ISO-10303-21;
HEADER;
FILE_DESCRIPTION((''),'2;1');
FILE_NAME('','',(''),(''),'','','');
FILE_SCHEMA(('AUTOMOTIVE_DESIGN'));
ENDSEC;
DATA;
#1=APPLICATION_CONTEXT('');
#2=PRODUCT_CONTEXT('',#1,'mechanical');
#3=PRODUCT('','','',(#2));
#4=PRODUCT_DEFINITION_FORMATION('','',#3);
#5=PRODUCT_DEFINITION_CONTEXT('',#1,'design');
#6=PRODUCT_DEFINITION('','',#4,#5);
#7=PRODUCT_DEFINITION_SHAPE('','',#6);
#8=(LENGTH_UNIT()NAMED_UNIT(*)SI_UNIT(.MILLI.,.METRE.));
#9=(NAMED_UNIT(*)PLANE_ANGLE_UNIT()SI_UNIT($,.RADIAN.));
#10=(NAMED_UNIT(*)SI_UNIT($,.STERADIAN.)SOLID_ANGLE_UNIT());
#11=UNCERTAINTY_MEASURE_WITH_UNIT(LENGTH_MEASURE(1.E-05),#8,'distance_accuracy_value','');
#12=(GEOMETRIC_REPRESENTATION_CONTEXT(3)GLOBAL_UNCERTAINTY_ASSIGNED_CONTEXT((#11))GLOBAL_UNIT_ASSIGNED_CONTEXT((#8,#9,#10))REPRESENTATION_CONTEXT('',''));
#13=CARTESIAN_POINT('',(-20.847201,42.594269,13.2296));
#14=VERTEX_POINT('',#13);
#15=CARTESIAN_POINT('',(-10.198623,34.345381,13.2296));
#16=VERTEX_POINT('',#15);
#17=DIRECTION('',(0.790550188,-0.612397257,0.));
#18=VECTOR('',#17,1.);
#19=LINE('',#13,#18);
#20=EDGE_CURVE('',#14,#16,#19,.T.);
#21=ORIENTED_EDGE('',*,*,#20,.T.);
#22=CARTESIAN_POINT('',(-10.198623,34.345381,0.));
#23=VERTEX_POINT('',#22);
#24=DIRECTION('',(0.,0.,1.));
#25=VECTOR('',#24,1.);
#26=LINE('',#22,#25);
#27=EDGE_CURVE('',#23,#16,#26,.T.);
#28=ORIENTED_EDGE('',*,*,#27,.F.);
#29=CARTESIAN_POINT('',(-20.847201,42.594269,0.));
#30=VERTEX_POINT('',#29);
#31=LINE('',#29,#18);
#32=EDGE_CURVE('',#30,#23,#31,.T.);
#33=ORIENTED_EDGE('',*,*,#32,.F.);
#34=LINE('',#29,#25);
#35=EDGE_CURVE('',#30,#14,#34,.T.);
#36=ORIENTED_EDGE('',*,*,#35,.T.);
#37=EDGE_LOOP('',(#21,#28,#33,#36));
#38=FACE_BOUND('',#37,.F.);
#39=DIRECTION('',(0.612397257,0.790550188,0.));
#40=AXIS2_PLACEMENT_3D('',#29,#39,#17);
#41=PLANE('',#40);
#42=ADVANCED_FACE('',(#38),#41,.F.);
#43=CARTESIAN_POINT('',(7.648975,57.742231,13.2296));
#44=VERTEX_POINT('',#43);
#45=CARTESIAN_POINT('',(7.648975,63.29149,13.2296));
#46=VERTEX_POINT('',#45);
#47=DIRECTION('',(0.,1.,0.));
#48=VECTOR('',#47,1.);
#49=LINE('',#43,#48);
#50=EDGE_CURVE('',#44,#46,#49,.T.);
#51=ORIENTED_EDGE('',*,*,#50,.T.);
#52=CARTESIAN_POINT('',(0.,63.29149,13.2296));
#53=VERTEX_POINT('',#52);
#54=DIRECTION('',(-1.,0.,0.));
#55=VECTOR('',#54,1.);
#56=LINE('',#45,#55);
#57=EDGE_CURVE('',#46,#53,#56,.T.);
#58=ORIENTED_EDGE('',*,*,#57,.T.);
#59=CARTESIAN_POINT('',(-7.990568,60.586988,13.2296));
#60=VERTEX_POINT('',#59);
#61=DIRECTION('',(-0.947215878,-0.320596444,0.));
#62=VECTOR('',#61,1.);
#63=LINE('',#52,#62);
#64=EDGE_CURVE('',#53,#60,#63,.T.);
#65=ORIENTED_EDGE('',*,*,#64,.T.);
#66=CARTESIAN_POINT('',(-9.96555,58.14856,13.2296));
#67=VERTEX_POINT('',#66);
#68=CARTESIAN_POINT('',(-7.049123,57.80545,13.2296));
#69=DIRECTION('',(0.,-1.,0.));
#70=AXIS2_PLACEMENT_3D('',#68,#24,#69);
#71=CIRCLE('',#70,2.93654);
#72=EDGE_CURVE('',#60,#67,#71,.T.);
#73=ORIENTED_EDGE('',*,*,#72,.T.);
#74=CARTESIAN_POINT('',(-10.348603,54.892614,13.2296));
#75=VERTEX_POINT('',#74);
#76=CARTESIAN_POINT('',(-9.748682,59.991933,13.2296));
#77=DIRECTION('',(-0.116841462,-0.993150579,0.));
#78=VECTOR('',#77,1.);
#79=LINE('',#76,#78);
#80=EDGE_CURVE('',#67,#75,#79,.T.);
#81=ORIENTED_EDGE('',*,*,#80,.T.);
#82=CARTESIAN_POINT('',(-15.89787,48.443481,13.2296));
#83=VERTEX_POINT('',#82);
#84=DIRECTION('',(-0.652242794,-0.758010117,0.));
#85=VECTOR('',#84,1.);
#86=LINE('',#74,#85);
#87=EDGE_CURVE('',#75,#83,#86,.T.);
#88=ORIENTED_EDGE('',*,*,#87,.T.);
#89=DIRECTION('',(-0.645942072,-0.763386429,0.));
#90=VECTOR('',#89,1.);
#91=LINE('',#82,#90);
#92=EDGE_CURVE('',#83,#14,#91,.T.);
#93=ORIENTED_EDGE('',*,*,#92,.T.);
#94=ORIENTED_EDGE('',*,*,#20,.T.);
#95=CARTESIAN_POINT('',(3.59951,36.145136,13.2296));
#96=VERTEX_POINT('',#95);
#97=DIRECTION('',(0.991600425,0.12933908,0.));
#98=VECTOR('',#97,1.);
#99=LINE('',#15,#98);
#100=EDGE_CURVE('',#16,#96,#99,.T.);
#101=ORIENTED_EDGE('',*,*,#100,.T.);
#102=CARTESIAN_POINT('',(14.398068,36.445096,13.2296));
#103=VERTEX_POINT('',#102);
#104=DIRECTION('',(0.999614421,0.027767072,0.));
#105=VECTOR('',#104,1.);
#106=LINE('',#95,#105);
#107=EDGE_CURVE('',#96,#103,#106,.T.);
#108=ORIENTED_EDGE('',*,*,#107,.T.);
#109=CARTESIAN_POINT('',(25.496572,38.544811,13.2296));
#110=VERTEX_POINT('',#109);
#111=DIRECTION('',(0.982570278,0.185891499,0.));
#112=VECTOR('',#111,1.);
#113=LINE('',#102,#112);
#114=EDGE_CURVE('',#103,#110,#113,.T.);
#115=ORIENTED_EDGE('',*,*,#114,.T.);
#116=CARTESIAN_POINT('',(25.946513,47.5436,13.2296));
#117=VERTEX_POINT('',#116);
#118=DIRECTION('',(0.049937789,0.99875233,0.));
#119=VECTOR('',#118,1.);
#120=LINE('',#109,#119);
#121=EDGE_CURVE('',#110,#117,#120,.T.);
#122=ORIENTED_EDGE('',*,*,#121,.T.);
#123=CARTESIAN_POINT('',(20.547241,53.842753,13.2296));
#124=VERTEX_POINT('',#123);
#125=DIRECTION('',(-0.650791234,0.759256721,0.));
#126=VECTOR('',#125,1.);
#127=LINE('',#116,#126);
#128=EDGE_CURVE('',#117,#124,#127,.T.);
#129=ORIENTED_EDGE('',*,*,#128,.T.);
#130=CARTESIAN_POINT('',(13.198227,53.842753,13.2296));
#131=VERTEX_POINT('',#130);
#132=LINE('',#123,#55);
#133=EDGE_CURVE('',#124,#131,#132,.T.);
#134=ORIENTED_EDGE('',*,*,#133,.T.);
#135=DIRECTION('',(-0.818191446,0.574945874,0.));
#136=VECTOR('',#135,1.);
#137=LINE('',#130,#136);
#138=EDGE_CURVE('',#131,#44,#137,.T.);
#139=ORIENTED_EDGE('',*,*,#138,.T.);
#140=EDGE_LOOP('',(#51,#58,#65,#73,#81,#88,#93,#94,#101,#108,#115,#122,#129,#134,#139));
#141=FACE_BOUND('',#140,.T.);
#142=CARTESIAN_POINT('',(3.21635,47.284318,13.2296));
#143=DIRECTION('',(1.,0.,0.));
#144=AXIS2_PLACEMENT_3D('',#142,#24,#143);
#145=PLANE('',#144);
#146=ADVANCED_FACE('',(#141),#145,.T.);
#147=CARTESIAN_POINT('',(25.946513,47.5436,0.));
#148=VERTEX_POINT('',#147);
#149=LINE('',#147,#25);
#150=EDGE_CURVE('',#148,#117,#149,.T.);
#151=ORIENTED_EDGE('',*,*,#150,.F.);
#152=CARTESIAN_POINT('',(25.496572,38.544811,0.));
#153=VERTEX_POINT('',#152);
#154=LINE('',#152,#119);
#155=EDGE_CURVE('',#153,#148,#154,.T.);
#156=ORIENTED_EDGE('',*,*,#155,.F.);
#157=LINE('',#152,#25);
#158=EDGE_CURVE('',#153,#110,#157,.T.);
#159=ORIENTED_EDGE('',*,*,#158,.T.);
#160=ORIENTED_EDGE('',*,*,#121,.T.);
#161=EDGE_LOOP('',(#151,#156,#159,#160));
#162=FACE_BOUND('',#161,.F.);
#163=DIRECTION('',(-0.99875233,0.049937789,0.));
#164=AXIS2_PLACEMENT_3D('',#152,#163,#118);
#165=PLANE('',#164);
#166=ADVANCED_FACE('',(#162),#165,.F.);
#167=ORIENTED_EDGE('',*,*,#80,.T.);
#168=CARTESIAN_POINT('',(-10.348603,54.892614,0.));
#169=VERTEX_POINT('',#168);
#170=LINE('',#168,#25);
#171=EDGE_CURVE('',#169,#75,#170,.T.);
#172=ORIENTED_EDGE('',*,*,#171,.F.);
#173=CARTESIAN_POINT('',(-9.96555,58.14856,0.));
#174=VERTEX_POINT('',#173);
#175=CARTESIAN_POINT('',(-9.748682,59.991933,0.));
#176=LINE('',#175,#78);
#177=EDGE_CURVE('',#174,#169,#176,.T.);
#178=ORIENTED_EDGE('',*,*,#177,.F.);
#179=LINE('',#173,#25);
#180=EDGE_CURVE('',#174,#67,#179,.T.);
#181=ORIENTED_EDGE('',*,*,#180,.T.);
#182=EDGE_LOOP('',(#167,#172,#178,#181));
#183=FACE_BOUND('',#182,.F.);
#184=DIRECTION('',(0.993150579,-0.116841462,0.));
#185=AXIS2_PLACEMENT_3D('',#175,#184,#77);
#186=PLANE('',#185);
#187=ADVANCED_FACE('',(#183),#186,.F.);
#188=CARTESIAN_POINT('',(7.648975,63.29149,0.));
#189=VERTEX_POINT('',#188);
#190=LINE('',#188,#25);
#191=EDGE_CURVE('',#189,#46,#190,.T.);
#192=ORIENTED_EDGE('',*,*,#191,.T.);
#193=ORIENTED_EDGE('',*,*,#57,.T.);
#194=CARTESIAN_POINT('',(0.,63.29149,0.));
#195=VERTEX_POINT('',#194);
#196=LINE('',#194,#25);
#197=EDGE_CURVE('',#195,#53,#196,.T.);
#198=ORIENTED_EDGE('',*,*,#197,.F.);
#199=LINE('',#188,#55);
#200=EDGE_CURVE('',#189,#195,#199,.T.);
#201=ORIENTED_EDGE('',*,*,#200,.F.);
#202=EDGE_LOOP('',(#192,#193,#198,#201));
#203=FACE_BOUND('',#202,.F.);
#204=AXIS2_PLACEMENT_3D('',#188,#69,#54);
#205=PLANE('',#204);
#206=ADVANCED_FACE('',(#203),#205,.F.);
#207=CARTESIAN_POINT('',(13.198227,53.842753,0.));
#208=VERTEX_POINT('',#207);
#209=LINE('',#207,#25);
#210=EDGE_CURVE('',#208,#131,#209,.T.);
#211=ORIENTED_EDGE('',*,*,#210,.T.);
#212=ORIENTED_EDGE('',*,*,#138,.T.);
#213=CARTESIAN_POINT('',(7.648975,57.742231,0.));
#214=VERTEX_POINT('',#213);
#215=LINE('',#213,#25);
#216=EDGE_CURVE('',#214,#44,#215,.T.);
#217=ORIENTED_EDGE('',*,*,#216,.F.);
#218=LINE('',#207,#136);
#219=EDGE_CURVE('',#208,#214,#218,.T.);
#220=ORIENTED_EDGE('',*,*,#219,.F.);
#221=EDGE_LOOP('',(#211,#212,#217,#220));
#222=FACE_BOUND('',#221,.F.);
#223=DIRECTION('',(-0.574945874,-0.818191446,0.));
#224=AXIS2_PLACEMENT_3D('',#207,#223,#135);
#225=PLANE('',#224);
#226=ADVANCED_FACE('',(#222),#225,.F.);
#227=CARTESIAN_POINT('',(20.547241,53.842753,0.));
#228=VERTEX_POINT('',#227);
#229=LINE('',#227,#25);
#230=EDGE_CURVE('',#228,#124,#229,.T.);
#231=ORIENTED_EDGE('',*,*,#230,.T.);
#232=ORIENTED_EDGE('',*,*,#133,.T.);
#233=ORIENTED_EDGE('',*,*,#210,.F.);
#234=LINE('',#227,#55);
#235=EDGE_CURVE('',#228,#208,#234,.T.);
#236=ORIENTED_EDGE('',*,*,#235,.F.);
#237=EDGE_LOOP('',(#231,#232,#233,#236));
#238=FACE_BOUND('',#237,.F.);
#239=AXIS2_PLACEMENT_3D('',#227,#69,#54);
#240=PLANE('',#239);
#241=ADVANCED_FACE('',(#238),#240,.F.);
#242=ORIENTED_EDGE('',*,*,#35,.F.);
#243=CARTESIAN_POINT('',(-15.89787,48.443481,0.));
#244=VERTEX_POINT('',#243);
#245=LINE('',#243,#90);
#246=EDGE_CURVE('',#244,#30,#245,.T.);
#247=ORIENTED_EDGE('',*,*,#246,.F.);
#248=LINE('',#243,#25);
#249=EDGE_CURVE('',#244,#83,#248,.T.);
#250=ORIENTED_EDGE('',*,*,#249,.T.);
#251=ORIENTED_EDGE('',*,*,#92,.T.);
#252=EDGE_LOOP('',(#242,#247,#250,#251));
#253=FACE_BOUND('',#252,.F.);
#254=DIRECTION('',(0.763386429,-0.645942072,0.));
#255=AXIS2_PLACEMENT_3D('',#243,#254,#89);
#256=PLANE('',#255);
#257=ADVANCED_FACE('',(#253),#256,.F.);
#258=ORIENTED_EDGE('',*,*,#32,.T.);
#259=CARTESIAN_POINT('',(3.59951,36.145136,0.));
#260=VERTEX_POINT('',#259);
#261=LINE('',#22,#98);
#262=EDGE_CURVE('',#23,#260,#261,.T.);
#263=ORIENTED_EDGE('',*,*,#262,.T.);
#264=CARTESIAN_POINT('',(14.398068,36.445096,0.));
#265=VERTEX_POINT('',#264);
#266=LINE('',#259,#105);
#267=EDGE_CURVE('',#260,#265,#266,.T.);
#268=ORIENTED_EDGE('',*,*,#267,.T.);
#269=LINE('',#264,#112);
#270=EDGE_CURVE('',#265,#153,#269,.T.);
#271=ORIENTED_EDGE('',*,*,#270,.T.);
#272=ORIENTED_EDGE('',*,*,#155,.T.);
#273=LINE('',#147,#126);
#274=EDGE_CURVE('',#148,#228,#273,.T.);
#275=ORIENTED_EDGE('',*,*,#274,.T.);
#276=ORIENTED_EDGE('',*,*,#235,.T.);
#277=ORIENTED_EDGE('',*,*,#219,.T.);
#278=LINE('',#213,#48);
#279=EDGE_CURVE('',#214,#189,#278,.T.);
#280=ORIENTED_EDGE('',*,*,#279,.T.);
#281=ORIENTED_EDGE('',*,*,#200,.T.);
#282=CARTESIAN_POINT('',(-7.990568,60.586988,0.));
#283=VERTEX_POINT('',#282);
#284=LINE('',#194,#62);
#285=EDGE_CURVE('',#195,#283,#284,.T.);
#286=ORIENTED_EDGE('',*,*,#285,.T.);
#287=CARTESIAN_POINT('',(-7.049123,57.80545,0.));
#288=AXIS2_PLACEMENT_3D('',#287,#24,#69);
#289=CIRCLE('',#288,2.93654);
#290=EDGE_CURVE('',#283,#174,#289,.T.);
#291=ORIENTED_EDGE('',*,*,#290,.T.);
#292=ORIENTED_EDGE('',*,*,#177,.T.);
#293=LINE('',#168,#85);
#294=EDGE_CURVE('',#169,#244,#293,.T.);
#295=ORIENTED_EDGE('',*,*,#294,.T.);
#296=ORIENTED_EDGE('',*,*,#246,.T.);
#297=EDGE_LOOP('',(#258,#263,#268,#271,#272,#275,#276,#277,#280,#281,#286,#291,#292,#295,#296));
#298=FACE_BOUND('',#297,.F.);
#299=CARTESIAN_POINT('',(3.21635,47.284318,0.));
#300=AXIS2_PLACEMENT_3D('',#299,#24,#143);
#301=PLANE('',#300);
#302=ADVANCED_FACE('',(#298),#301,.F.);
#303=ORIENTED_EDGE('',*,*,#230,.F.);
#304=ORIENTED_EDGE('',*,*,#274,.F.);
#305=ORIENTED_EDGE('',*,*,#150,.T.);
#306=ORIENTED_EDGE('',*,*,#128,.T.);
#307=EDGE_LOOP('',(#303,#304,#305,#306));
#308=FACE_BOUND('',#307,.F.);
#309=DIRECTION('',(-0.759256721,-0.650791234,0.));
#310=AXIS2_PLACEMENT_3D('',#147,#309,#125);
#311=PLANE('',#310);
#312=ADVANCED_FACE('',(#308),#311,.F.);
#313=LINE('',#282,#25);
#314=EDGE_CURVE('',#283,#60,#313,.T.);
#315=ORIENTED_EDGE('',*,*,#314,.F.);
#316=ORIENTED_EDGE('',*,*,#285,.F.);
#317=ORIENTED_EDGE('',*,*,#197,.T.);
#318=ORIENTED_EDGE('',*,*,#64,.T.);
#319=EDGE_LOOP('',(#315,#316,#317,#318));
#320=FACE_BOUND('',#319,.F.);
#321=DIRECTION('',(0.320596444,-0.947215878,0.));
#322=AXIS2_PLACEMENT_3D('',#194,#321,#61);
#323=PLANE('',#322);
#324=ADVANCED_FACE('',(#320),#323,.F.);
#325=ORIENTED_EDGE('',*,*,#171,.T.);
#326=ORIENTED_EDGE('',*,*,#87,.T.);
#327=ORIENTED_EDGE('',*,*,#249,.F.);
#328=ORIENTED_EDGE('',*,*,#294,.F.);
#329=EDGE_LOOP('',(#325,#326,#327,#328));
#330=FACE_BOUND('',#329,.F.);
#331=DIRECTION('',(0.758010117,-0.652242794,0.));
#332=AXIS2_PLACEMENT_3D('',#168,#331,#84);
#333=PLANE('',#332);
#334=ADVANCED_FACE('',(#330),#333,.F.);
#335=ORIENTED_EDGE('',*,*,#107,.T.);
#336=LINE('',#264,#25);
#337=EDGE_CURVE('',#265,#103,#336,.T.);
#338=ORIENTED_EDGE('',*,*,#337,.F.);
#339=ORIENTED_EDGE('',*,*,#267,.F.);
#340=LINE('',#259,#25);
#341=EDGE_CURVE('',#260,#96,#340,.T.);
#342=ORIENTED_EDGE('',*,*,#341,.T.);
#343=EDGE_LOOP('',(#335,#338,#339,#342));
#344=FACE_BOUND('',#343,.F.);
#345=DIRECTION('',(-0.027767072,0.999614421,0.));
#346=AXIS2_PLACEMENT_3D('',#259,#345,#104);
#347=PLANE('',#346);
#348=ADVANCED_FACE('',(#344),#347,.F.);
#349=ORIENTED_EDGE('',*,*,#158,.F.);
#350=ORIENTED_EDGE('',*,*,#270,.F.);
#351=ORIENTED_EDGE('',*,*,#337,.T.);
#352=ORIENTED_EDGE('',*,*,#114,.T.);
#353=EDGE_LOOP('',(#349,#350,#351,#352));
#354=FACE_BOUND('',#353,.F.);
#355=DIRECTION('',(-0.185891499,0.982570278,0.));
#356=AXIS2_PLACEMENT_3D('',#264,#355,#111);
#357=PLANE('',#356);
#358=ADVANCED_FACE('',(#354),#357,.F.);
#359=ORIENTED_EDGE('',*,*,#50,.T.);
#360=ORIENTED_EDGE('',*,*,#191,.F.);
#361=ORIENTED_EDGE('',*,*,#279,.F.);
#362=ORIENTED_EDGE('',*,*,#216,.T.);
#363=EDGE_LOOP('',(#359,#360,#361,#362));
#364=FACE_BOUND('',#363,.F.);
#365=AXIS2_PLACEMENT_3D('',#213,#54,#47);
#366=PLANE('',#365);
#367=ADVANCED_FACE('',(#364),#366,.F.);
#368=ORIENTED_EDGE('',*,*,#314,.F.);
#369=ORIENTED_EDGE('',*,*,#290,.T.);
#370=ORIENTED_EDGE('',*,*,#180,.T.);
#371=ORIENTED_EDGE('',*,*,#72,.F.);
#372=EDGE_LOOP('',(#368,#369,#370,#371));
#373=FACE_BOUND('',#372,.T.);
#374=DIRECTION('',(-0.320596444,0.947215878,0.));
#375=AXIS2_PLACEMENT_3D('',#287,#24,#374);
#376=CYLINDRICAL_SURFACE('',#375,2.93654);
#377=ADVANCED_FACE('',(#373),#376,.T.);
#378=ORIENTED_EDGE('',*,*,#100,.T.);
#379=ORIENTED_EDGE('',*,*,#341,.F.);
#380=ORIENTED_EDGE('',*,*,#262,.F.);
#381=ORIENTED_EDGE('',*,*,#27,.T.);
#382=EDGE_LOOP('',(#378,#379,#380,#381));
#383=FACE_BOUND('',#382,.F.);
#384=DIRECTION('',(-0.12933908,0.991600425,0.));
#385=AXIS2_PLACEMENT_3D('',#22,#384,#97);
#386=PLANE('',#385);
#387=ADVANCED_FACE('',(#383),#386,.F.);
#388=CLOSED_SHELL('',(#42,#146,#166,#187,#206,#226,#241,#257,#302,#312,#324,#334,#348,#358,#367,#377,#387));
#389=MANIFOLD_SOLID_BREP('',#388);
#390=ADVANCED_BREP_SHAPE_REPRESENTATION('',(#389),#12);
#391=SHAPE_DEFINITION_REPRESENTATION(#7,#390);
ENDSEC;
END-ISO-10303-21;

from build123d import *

# Parameters (mm, degrees)
F1_DEPTH = 13.2296
F2_R     = 2.93654


with BuildPart() as f1:
    # F0 (on Top) → F1 (new body)
    with BuildSketch(Plane.XY):
        Polygon((7.648975, 63.29149), (0, 63.29149), (-9.748682, 59.991933), (-10.348603, 54.892614), (-15.89787, 48.443481), (-20.847201, 42.594269), (-10.198623, 34.345381), (3.59951, 36.145136), (14.398068, 36.445096), (25.496572, 38.544811), (25.946513, 47.5436), (20.547241, 53.842753), (13.198227, 53.842753), (7.648975, 57.742231), align=None)
    extrude(amount=F1_DEPTH)

    # F2
    f2_edges = [f1.edges().sort_by_distance(p)[0] for p in [
        (-9.748682, 59.991933, 6.6148),
    ]]
    fillet(f2_edges, radius=F2_R)


solid = f1.part
